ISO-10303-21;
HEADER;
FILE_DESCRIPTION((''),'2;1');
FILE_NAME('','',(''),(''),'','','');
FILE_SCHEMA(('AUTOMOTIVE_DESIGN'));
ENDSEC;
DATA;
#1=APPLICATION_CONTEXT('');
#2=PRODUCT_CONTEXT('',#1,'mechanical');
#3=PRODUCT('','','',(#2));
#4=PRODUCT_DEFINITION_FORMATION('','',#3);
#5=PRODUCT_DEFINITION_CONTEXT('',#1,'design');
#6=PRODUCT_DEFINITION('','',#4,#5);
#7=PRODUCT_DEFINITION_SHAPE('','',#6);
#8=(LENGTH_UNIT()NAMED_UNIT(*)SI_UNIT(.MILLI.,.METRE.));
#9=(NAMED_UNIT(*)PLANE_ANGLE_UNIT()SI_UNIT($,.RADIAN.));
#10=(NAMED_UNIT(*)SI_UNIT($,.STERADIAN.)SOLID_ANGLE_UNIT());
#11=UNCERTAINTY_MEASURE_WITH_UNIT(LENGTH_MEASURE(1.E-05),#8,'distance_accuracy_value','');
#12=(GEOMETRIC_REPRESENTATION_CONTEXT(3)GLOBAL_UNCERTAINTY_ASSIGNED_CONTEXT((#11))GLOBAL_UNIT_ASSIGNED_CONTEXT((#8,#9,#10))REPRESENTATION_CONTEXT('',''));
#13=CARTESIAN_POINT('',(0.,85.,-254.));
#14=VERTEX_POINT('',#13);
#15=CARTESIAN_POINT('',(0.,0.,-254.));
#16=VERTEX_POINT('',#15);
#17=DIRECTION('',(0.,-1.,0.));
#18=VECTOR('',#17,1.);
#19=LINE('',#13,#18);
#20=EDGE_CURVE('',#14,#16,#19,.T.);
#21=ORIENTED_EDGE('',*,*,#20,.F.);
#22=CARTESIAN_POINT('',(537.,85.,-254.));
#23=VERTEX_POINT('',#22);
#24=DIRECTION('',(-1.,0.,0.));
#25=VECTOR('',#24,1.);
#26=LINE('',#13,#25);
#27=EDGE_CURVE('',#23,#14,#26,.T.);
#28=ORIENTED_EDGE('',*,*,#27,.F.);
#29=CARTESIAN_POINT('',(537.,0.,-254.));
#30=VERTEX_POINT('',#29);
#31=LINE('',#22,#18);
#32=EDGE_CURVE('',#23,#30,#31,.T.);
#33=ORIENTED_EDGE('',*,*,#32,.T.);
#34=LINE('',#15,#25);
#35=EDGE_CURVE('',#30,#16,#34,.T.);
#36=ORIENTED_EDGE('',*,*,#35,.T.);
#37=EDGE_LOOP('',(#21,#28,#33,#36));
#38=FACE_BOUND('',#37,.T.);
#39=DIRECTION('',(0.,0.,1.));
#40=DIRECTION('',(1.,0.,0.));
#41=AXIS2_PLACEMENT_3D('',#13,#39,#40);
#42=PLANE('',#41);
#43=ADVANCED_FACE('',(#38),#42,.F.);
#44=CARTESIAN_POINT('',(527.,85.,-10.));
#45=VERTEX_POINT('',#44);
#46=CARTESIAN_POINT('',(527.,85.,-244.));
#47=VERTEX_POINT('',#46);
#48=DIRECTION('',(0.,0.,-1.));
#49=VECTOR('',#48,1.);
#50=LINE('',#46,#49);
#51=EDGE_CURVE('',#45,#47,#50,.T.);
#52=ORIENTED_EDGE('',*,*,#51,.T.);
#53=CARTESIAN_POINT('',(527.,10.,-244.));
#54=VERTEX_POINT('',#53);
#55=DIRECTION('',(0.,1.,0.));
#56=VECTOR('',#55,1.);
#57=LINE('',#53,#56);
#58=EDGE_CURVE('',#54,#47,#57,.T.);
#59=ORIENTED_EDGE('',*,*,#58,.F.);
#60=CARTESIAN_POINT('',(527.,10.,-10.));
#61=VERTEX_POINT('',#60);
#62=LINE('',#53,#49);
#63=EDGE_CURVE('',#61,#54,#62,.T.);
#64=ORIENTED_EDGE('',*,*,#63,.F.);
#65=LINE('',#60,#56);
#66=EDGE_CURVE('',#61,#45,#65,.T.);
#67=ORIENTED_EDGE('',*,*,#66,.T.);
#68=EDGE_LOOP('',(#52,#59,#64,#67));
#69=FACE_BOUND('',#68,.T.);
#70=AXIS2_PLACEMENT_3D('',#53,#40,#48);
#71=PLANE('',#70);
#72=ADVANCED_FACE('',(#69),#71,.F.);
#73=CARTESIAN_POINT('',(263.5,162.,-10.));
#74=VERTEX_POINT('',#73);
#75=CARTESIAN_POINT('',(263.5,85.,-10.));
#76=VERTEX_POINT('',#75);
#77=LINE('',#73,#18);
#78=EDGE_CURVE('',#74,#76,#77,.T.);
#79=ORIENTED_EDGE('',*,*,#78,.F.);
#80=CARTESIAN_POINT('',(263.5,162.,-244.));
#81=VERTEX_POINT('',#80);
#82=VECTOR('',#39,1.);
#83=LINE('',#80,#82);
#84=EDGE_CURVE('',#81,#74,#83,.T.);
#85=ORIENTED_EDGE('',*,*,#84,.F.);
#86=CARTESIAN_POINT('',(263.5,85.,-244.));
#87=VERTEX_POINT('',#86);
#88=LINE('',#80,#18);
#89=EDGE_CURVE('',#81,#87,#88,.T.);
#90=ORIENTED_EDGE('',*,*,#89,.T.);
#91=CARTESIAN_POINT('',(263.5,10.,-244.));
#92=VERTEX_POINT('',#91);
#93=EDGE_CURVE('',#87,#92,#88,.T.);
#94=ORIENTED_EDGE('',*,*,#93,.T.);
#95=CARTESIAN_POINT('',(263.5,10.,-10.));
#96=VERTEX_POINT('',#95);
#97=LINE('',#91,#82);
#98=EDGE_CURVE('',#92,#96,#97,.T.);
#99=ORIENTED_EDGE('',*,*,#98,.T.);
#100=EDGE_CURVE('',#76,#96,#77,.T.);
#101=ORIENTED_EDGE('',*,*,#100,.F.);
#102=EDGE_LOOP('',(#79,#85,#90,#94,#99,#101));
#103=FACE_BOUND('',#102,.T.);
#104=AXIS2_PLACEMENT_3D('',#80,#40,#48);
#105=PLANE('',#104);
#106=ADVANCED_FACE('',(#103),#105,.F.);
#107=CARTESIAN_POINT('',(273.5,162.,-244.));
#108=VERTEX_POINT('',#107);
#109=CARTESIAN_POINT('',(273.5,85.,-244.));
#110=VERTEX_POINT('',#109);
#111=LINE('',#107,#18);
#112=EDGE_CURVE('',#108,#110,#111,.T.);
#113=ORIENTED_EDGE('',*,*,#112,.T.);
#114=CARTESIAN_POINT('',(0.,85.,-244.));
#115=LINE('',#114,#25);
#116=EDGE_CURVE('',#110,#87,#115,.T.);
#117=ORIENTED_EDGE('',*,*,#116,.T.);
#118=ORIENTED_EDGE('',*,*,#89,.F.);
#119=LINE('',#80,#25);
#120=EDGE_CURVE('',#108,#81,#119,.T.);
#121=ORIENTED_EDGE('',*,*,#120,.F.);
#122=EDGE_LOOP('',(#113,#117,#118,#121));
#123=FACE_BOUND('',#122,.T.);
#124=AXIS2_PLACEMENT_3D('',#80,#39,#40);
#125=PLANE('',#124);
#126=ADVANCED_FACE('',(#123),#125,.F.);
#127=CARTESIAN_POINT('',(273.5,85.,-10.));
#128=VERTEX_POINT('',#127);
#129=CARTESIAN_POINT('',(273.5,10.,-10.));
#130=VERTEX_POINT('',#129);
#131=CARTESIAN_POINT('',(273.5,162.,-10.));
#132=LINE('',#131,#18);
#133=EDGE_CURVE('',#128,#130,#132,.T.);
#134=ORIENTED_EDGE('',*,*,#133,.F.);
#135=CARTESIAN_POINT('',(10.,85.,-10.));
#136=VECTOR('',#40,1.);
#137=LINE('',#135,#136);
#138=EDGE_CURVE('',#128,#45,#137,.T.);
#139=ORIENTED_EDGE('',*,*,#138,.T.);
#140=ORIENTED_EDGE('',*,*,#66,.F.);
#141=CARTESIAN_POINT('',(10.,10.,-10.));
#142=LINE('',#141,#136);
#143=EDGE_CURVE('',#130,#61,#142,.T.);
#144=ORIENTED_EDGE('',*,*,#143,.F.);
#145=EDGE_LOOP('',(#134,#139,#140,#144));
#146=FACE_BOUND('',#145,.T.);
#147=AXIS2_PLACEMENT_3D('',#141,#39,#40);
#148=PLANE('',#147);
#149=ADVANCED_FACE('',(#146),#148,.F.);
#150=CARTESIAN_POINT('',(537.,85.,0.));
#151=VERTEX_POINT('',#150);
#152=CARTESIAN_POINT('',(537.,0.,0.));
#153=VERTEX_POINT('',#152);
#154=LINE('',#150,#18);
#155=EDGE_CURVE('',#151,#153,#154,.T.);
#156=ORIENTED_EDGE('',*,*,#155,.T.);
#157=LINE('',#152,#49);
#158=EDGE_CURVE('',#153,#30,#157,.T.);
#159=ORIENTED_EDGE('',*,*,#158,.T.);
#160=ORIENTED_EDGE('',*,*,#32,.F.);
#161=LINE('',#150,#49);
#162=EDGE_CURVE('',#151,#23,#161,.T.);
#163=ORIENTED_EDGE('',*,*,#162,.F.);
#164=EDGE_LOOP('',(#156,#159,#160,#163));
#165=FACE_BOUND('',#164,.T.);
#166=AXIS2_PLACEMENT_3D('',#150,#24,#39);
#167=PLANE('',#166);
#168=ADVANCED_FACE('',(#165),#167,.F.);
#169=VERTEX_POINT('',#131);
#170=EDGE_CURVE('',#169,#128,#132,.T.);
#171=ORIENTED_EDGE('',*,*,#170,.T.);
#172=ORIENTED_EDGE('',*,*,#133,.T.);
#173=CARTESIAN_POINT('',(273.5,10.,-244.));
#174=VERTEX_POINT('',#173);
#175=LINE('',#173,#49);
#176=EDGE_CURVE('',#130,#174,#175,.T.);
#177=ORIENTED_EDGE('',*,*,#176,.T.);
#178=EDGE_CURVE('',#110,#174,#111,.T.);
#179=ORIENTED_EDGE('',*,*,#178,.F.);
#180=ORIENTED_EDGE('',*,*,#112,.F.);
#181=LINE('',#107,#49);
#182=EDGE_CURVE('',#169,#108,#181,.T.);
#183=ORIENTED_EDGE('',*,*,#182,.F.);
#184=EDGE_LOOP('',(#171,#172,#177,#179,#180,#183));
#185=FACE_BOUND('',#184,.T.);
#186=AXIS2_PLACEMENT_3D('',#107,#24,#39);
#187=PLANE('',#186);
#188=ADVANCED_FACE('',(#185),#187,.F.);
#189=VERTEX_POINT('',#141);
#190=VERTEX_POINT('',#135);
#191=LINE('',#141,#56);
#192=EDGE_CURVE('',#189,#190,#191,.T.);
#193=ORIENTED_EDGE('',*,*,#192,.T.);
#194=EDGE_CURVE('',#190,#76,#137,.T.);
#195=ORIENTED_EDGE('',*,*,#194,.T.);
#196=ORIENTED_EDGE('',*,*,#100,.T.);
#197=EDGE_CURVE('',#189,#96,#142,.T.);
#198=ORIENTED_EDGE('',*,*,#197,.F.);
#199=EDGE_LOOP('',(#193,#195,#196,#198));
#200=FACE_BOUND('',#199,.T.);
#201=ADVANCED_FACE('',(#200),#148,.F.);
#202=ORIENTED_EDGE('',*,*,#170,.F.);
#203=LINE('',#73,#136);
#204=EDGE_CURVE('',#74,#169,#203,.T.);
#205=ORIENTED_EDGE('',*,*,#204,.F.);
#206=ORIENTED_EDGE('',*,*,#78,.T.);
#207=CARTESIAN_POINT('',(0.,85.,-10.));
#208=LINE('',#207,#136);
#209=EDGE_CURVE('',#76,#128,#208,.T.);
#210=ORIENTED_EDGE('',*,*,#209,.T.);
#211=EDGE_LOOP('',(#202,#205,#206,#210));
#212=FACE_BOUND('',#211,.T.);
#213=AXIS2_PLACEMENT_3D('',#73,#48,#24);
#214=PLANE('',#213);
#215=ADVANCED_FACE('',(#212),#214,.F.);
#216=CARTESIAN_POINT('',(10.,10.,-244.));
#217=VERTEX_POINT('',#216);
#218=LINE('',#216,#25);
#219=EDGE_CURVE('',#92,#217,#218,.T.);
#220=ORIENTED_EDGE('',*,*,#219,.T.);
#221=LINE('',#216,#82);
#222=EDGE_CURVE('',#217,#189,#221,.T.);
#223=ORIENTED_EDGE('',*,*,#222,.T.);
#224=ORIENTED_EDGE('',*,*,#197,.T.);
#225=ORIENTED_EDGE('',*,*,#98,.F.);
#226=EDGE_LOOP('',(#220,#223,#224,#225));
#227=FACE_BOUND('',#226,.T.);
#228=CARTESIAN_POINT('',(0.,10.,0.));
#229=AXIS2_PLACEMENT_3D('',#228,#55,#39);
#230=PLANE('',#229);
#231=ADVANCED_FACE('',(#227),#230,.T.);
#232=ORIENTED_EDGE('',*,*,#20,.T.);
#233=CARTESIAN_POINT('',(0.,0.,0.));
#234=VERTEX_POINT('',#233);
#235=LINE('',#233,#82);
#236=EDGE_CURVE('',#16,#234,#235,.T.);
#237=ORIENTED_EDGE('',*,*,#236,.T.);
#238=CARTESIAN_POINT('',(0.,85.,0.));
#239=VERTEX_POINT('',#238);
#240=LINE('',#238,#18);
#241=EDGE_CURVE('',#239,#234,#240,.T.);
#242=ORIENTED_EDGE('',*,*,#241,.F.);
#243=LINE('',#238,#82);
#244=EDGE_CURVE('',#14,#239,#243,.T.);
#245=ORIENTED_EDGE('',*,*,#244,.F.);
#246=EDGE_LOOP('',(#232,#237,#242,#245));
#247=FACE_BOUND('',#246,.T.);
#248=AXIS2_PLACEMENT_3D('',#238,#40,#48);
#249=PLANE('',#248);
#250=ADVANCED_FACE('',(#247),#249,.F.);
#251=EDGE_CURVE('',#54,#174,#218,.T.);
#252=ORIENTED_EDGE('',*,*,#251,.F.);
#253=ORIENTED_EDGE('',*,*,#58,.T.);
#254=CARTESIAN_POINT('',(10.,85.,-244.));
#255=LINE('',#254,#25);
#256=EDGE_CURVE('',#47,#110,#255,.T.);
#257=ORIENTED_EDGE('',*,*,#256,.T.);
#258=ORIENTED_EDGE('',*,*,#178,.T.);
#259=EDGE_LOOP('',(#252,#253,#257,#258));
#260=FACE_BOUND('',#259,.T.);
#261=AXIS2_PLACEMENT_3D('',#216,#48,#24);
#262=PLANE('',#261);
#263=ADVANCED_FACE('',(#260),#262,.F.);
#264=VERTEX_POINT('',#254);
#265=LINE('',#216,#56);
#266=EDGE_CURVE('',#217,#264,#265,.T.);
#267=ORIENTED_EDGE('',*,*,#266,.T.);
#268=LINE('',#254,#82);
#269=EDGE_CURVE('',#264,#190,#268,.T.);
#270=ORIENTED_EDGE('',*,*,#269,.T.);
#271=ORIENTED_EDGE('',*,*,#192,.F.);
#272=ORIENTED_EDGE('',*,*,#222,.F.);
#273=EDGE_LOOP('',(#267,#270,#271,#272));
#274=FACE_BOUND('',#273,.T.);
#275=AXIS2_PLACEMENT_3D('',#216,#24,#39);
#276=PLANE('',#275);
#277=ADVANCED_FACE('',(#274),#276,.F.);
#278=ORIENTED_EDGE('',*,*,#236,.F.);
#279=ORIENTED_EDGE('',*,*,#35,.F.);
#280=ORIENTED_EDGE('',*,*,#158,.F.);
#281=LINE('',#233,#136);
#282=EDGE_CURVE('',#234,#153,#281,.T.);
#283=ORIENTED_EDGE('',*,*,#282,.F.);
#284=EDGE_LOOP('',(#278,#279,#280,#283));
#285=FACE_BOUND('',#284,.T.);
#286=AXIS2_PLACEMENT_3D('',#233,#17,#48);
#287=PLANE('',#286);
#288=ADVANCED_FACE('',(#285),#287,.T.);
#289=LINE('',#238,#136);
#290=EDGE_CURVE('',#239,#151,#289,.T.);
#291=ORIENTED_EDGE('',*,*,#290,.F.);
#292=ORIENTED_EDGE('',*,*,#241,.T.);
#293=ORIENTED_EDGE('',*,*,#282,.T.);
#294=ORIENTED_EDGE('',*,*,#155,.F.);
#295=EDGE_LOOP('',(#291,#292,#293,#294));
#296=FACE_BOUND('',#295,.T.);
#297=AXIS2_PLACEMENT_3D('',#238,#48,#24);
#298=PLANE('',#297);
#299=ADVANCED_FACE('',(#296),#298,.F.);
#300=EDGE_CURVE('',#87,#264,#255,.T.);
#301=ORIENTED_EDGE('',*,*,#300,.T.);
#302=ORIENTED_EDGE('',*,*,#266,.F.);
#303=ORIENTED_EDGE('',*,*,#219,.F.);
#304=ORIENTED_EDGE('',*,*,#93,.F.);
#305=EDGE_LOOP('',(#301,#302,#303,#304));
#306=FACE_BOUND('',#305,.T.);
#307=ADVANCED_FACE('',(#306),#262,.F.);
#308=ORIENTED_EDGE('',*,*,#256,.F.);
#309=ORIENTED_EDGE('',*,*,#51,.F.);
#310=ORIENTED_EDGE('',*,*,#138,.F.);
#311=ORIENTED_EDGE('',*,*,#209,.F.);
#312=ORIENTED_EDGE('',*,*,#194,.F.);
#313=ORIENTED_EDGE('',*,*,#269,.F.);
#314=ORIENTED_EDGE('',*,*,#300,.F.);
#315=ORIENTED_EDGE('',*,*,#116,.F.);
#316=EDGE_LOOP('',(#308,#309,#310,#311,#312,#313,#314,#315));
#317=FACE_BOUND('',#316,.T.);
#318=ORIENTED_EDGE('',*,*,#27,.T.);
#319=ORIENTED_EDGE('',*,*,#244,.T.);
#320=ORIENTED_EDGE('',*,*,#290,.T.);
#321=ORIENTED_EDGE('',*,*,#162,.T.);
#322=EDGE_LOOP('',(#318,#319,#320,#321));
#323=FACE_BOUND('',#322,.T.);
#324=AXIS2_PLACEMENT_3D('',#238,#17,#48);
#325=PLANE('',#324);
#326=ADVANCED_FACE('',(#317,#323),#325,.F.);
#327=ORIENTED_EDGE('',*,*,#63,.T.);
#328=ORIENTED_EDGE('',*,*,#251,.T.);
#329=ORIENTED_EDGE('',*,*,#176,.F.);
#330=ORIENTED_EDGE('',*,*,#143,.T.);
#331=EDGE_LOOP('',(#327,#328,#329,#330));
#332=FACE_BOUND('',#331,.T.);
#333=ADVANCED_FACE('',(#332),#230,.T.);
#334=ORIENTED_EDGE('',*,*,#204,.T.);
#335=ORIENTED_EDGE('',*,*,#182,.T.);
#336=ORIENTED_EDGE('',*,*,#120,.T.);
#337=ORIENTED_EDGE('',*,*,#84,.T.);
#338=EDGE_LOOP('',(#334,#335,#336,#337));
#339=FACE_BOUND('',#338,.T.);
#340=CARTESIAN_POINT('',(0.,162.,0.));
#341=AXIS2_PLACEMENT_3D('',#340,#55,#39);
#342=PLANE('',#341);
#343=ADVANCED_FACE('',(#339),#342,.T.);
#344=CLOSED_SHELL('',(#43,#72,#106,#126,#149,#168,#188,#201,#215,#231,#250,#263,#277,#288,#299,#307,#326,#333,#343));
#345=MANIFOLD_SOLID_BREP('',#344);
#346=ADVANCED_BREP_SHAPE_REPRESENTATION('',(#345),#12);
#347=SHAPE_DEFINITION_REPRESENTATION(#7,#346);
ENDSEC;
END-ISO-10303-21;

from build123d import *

# Parameters (mm, degrees)
SKETCH2_W           = 537
SKETCH2_H           = 254
BOSS_EXTRUDE1_DEPTH = 85
SKETCH3_W           = 517
SKETCH3_H           = 234
CUT_EXTRUDE1_DEPTH  = 75
SKETCH4_W           = 10
SKETCH4_H           = 234
BOSS_EXTRUDE2_DEPTH = 152


with BuildPart() as part:
    # Sketch2 → Boss-Extrude1 (new body)
    with BuildSketch(Plane(origin=(0, 0, 0), x_dir=(1, 0, 0), z_dir=(0, 1, 0))):
        with Locations((268.5, 127)):
            Rectangle(SKETCH2_W, SKETCH2_H)
    extrude(amount=BOSS_EXTRUDE1_DEPTH)

    # Sketch3 → Cut-Extrude1 (cut)
    with BuildSketch(Plane(origin=(0, 85, 0), x_dir=(1, 0, 0), z_dir=(0, 1, 0))):
        with Locations((268.5, 127)):
            Rectangle(SKETCH3_W, SKETCH3_H)
    extrude(amount=-CUT_EXTRUDE1_DEPTH, mode=Mode.SUBTRACT)

    # Sketch4 → Boss-Extrude2 (add)
    with BuildSketch(Plane(origin=(0, 10, 0), x_dir=(1, 0, 0), z_dir=(0, 1, 0))):
        with Locations((268.5, 127)):
            Rectangle(SKETCH4_W, SKETCH4_H)
    extrude(amount=BOSS_EXTRUDE2_DEPTH)


solid = part.part
